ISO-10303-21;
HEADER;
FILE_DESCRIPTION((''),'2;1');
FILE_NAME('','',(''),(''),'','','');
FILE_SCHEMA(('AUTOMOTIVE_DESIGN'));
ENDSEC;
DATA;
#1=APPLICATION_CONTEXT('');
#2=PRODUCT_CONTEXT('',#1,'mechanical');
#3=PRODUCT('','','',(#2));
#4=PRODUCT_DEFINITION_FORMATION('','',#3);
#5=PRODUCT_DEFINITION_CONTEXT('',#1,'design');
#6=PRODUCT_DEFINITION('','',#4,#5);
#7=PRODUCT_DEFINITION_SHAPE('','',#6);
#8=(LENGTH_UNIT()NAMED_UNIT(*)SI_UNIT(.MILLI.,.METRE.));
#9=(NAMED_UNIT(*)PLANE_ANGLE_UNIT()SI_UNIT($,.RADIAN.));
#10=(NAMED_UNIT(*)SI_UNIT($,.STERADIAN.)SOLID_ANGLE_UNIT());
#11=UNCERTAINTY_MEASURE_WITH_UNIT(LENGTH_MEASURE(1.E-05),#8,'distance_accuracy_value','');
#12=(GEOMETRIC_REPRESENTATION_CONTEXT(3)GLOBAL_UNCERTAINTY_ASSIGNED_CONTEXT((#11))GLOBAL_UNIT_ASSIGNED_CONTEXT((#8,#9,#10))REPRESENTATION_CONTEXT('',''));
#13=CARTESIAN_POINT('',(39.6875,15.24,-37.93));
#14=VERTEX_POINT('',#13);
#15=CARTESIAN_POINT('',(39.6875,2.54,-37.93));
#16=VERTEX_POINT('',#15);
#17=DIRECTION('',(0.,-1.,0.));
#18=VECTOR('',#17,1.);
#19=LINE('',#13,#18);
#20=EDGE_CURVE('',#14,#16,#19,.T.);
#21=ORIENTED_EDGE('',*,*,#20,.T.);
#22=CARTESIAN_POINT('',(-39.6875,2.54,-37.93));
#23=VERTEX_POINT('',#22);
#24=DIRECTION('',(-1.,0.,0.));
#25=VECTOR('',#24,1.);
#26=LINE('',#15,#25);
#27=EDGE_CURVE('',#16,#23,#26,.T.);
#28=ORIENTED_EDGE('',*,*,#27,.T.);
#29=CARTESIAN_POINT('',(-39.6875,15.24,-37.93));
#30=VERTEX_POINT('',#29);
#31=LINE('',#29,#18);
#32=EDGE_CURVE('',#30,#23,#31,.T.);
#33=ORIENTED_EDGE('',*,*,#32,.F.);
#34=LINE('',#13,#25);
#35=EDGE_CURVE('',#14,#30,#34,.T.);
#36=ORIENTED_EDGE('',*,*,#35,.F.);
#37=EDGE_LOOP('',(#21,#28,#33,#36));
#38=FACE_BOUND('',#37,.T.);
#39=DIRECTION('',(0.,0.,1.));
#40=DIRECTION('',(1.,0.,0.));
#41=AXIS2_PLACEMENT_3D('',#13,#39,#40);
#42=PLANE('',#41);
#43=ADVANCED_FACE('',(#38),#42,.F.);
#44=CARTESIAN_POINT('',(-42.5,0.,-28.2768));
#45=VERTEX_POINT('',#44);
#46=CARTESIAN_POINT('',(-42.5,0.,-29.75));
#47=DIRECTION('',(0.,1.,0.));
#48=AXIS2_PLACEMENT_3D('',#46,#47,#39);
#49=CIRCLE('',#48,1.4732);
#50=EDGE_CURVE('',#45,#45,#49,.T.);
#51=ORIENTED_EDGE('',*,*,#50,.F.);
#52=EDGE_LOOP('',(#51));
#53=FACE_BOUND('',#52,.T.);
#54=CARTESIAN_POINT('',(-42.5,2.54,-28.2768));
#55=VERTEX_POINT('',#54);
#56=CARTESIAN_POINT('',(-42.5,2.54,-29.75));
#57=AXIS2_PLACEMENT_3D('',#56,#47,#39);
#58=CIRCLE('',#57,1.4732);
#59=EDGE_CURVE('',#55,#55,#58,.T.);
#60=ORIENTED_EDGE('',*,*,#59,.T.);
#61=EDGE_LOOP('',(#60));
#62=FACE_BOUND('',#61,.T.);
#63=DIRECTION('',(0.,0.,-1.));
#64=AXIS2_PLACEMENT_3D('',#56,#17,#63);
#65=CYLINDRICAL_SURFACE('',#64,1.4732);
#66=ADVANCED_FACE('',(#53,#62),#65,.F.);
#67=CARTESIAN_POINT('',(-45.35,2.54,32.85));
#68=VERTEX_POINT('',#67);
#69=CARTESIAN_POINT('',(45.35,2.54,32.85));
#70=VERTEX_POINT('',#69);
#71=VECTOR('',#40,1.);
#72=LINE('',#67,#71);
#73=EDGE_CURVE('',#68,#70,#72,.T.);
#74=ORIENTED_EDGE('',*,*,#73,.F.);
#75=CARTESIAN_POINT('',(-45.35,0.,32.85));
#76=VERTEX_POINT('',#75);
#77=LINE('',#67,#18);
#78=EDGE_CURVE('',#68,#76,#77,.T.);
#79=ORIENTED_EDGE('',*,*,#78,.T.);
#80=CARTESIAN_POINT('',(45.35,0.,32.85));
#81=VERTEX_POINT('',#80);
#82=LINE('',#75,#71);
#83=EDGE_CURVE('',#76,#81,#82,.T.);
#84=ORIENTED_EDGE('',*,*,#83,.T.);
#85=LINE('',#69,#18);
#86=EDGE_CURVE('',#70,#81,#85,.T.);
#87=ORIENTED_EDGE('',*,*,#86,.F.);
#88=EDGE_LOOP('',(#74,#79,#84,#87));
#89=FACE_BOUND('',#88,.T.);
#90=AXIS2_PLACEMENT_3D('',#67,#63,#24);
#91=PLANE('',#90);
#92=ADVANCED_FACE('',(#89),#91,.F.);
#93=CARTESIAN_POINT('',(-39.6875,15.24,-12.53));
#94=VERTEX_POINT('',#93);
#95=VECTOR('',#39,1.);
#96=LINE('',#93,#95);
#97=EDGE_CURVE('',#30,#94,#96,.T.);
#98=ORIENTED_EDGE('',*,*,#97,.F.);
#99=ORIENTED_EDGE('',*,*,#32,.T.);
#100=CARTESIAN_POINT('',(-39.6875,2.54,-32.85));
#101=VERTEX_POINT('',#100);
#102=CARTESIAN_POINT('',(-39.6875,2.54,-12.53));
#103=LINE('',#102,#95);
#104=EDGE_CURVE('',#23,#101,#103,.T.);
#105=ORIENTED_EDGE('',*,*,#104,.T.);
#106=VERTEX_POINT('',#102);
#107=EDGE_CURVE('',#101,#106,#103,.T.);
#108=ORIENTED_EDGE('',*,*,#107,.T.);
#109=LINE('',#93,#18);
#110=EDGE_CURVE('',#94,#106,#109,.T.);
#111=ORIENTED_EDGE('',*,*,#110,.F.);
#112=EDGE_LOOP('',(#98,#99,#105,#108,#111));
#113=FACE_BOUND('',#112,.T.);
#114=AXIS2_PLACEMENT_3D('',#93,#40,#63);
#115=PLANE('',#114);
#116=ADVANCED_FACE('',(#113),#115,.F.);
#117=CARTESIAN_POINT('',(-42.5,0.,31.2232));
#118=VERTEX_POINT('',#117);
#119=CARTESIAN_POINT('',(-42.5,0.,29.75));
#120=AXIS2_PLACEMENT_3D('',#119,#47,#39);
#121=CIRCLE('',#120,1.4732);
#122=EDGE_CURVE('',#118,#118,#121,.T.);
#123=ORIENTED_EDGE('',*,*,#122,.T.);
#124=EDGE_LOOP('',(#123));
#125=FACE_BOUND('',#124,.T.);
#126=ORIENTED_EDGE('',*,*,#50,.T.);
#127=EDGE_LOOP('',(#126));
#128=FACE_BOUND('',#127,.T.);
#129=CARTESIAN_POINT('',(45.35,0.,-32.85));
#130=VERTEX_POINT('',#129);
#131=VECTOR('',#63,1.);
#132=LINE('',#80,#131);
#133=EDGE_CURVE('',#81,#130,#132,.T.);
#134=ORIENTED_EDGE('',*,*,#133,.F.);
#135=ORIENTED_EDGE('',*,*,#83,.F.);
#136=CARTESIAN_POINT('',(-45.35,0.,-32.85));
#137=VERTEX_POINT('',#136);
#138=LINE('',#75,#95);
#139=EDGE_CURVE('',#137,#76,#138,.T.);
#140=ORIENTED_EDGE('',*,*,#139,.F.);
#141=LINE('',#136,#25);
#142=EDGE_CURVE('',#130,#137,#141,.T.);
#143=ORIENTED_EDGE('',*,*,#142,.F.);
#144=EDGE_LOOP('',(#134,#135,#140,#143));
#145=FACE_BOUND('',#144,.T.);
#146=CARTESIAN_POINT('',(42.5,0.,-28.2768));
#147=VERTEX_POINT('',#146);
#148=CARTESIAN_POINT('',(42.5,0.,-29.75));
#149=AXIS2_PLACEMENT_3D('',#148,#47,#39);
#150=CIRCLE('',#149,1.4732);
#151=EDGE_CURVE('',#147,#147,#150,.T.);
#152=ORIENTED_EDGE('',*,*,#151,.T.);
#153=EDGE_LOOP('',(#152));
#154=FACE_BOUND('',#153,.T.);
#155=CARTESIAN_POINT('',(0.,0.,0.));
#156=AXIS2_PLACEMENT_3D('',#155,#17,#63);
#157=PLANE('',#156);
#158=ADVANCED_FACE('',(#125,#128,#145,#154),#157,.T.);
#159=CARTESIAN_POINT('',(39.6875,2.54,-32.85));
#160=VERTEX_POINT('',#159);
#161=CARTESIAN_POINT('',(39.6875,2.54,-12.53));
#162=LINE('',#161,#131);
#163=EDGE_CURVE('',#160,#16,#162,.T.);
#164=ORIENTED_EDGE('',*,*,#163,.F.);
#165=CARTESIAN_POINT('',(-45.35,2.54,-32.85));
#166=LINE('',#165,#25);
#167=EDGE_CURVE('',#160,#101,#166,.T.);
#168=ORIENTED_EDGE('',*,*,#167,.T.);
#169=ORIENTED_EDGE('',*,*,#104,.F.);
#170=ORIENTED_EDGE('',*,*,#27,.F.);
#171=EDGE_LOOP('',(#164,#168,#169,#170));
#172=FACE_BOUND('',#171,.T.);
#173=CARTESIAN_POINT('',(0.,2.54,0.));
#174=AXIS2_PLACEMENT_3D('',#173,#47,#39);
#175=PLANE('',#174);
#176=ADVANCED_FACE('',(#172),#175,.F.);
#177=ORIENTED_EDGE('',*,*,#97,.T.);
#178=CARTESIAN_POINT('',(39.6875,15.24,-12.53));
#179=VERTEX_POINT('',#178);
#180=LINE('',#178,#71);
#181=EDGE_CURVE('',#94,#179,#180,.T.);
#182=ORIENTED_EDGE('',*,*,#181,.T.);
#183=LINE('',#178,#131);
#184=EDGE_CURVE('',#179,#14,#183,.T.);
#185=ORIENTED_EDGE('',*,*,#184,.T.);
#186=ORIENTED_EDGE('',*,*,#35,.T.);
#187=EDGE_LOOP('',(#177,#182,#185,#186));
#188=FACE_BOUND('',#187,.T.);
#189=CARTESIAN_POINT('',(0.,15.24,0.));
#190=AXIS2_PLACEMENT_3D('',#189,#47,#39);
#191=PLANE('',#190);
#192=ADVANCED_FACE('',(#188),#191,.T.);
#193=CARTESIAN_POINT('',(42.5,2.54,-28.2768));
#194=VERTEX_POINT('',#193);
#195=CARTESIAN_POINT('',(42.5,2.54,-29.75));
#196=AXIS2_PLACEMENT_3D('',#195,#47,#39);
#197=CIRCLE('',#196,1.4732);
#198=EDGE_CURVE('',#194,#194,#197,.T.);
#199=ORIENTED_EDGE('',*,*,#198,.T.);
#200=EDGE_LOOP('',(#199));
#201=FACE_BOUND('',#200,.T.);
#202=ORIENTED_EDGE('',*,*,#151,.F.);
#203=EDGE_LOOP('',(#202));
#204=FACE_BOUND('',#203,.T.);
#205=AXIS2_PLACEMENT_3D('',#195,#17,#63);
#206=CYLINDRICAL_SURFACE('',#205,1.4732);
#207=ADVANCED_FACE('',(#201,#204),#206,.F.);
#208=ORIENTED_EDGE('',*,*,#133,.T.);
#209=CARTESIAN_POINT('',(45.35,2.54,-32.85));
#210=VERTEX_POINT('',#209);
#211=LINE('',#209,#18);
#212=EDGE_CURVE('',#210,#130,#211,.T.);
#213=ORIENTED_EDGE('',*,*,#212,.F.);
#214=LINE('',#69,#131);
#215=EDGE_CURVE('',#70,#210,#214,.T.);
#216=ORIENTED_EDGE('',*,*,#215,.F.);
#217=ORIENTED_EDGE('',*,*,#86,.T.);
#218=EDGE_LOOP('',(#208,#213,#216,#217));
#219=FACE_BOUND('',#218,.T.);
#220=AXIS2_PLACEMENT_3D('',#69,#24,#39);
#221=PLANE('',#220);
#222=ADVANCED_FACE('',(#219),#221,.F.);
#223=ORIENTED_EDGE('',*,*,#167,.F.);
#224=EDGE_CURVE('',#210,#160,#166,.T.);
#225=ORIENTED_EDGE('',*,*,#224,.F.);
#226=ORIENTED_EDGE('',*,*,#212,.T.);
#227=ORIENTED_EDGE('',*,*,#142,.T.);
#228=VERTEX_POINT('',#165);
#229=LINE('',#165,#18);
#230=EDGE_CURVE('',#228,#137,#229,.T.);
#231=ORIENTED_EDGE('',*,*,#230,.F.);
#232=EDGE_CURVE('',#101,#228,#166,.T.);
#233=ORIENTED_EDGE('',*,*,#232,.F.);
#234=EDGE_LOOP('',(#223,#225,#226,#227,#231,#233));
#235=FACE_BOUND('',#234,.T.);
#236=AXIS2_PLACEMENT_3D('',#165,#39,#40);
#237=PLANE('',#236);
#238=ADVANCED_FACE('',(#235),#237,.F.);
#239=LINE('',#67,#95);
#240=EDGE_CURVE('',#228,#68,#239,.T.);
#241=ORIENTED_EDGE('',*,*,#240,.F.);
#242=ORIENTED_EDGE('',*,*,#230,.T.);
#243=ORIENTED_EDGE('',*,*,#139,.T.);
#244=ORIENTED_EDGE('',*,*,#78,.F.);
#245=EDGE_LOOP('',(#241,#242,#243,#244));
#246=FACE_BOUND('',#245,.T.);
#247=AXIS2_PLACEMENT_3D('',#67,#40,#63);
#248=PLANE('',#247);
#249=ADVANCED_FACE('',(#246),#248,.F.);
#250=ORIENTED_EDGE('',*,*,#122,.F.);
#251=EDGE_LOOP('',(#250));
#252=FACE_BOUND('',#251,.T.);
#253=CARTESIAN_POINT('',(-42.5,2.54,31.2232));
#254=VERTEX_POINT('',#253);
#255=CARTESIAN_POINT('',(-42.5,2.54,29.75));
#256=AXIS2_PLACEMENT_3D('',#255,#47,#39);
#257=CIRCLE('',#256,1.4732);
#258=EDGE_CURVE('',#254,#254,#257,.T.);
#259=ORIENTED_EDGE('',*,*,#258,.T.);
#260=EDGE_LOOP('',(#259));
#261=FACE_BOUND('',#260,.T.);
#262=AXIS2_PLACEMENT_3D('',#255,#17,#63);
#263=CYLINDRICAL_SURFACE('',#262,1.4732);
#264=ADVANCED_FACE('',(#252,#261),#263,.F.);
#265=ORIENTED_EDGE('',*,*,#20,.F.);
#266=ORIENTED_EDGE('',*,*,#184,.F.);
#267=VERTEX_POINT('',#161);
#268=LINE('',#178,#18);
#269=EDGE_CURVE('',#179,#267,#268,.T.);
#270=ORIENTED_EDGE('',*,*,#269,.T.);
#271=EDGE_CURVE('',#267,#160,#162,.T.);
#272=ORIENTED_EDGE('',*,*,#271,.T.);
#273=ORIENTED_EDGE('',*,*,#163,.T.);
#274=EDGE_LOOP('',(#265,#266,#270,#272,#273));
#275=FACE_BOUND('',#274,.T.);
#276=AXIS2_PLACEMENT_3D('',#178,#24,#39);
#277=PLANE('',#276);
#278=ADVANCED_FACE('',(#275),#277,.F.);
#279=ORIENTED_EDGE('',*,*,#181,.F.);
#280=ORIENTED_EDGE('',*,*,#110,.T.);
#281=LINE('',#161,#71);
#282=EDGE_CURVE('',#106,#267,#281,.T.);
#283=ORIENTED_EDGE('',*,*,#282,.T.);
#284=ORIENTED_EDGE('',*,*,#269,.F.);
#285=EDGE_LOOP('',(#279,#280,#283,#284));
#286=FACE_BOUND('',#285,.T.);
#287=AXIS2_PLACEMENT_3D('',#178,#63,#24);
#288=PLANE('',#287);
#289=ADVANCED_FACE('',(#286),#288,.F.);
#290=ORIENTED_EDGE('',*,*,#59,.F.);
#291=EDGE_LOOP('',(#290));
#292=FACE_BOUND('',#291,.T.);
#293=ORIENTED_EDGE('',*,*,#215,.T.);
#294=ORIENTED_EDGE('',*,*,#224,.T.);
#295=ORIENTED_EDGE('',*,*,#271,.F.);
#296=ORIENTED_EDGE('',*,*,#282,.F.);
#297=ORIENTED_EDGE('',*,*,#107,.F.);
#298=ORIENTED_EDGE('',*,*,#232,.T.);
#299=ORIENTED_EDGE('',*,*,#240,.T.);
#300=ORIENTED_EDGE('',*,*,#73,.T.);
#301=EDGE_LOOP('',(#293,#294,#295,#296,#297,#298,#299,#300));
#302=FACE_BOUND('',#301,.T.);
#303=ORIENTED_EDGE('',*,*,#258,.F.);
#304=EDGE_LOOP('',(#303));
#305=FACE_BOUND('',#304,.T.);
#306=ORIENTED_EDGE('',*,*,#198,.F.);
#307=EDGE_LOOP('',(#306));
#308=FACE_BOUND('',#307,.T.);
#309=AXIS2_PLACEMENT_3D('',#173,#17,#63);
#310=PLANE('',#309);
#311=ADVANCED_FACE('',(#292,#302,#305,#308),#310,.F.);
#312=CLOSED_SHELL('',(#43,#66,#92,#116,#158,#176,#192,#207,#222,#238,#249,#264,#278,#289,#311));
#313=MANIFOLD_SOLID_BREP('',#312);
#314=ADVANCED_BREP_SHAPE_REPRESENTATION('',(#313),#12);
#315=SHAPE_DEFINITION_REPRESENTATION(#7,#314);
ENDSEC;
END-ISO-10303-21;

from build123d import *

# Parameters (mm, degrees)
SKETCH1_W           = 90.7
SKETCH1_H           = 65.7
SKETCH1_R           = 1.4732
BOSS_EXTRUDE1_DEPTH = 2.54
SKETCH2_W           = 79.375
SKETCH2_H           = 25.4
BOSS_EXTRUDE2_DEPTH = 12.7


with BuildPart() as part:
    # Sketch1 → Boss-Extrude1 (new body)
    with BuildSketch(Plane(origin=(0, 0, 0), x_dir=(1, 0, 0), z_dir=(0, 1, 0))):
        Rectangle(SKETCH1_W, SKETCH1_H)
        with Locations(Location((-42.5, 29.75, 0), (0, 0, 270))):
            Circle(SKETCH1_R, mode=Mode.SUBTRACT)
        with Locations(Location((42.5, 29.75, 0), (0, 0, 270))):
            Circle(SKETCH1_R, mode=Mode.SUBTRACT)
        with Locations(Location((-42.5, -29.75, 0), (0, 0, 270))):
            Circle(SKETCH1_R, mode=Mode.SUBTRACT)
    extrude(amount=BOSS_EXTRUDE1_DEPTH)

    # Sketch2 → Boss-Extrude2 (add)
    with BuildSketch(Plane(origin=(0, 2.54, 0), x_dir=(1, 0, 0), z_dir=(0, 1, 0))):
        with Locations((0, 25.23)):
            Rectangle(SKETCH2_W, SKETCH2_H)
    extrude(amount=BOSS_EXTRUDE2_DEPTH)


solid = part.part
